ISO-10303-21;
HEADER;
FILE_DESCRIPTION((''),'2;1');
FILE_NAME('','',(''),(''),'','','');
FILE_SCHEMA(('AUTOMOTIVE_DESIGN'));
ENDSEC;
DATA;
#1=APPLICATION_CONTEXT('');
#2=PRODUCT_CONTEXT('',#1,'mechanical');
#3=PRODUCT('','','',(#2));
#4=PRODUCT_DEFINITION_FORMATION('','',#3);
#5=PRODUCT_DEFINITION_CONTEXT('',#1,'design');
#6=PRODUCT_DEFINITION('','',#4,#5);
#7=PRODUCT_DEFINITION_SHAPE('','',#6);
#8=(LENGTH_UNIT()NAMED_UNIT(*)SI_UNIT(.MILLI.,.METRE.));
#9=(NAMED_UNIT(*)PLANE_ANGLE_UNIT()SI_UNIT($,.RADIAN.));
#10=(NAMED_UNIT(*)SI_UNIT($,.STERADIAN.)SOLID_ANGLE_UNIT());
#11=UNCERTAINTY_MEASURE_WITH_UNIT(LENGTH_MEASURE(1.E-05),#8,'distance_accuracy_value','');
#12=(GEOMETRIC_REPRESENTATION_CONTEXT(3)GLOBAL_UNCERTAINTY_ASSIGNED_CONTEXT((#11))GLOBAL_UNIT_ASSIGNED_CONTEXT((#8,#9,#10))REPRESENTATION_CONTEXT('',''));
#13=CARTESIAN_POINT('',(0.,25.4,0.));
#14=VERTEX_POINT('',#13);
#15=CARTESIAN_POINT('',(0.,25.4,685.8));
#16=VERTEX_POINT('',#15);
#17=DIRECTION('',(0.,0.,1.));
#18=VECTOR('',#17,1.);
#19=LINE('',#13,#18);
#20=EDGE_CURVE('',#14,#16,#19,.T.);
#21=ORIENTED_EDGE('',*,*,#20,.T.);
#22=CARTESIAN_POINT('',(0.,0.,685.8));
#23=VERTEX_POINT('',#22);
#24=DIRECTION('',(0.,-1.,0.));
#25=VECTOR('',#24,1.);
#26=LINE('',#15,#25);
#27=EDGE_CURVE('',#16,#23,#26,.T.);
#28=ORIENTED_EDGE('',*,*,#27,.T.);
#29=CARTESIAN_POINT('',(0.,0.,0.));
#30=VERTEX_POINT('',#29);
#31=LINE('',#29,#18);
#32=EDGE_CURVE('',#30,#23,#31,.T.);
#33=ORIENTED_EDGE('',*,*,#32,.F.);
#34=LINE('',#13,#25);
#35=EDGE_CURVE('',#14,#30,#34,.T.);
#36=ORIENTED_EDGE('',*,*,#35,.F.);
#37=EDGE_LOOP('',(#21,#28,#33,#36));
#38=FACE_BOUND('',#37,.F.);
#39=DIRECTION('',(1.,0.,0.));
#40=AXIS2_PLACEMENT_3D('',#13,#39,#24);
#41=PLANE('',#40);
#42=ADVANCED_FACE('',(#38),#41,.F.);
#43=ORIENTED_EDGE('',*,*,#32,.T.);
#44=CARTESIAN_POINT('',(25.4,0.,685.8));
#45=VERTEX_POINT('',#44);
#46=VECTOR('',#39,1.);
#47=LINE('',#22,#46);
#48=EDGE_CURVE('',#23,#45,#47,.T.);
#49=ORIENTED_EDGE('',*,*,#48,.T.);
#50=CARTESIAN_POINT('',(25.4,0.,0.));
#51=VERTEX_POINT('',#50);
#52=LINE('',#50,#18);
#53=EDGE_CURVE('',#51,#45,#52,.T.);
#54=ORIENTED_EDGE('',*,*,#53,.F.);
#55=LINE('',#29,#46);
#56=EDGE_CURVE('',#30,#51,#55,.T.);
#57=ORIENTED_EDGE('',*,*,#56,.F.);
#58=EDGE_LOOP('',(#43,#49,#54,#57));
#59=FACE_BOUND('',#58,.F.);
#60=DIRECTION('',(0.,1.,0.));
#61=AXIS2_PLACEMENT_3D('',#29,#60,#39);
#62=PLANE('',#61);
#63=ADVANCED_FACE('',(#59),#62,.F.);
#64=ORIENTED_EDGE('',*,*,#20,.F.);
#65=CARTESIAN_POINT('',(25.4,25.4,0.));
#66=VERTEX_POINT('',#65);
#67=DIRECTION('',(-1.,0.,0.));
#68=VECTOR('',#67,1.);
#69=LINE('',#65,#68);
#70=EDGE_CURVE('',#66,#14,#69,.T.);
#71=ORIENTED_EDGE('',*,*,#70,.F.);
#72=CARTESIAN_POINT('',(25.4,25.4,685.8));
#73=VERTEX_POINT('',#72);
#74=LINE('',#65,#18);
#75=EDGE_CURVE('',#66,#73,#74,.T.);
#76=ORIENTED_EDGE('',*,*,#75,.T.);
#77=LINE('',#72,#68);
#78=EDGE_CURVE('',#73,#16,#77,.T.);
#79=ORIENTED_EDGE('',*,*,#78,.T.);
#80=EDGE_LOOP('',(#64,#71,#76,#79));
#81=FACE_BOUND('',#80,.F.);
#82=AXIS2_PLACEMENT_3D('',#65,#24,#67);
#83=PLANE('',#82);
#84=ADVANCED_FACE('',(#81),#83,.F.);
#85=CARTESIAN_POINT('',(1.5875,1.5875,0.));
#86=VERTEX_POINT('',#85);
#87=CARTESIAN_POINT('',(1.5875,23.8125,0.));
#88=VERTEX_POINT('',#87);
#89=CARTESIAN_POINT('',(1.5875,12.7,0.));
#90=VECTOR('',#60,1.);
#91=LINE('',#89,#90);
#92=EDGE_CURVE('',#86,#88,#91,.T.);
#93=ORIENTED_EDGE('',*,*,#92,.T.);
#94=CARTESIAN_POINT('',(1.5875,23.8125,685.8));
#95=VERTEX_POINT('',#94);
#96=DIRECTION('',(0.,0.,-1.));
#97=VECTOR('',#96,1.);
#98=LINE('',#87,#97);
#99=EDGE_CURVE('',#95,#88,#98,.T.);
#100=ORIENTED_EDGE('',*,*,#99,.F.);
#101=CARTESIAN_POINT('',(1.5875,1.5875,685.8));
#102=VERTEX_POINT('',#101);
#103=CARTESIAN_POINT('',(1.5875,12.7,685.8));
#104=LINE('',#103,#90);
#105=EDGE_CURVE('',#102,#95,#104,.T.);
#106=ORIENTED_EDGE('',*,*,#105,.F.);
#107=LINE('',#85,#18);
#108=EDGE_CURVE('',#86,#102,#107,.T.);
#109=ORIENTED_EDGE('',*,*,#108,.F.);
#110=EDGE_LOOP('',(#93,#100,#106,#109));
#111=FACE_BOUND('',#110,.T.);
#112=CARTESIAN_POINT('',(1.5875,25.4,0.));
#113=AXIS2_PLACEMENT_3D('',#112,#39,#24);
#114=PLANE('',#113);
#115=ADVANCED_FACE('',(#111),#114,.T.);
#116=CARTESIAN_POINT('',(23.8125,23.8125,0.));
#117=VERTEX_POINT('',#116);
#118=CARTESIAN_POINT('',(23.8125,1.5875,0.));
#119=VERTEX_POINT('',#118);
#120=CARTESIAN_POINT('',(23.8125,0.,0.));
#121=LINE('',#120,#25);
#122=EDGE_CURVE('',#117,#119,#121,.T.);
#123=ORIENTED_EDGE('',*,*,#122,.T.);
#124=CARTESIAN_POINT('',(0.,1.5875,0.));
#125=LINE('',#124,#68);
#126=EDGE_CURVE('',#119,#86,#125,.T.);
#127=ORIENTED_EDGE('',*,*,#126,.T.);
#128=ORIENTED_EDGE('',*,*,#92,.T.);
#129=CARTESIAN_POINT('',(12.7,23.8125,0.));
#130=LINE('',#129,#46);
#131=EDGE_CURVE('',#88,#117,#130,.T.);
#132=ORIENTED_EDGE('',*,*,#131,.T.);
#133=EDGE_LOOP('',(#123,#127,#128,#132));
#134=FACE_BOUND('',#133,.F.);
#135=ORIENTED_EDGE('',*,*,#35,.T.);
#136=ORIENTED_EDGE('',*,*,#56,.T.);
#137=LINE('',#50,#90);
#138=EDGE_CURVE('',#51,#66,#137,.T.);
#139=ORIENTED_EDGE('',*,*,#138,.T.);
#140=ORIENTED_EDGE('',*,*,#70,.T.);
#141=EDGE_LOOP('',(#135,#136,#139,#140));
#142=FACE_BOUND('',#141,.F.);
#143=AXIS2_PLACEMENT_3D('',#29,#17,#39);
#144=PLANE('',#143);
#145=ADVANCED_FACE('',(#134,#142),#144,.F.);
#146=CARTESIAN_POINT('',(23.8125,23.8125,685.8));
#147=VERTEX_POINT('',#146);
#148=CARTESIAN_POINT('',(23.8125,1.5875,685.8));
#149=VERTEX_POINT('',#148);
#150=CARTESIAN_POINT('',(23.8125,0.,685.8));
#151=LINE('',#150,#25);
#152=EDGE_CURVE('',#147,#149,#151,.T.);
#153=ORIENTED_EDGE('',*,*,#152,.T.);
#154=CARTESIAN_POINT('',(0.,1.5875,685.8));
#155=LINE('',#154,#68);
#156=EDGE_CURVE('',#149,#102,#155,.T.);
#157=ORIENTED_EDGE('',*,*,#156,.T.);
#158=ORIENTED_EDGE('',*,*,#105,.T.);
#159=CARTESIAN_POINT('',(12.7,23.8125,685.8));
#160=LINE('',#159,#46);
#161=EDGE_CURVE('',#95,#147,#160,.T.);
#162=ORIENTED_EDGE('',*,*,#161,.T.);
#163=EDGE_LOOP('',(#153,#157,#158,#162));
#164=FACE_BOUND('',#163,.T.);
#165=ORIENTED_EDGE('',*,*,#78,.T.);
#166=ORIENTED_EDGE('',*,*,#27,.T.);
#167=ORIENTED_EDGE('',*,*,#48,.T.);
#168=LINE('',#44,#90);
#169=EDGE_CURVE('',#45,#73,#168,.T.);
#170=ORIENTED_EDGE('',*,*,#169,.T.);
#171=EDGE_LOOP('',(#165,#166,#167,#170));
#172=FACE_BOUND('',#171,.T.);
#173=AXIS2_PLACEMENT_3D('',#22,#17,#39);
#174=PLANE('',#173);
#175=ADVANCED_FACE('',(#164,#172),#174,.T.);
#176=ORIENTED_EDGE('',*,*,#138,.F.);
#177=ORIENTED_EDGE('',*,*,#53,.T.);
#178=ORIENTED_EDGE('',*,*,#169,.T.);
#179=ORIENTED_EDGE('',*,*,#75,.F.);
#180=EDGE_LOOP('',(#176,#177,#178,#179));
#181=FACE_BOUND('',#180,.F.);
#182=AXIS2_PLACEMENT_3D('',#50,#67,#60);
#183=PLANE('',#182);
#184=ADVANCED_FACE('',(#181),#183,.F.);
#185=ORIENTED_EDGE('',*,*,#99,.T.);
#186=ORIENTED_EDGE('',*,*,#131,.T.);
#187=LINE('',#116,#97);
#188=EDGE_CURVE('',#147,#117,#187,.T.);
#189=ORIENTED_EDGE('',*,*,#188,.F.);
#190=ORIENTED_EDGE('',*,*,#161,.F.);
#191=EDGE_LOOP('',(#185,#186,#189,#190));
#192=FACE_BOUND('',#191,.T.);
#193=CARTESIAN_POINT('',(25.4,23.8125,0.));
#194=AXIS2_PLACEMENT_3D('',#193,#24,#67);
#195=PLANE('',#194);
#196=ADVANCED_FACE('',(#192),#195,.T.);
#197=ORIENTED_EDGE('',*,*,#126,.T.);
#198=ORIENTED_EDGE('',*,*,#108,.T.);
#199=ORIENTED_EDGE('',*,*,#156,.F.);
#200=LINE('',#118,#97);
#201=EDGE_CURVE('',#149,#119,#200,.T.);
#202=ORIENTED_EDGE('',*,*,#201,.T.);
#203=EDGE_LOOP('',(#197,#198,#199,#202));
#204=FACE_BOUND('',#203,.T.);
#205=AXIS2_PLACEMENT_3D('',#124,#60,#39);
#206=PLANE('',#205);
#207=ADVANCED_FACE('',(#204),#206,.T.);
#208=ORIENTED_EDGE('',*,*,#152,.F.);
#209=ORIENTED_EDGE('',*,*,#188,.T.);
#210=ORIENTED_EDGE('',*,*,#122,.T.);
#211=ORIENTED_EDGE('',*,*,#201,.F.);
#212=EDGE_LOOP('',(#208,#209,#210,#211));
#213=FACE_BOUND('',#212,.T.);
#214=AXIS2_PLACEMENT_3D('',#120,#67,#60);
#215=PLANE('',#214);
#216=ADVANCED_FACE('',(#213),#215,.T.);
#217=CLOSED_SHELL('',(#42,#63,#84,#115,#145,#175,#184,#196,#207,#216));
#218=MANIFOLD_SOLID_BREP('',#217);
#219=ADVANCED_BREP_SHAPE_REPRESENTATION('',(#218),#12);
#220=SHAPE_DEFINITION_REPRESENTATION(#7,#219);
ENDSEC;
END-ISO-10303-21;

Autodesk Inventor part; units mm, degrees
ref_plane "YZ Plane" through (0, 0, 0) normal (1, 0, 0) x (0, 1, 0)
ref_plane "XZ Plane" through (0, 0, 0) normal (0, 1, 0) x (-1, 0, 0)
ref_plane "XY Plane" through (0, 0, 0) normal (0, 0, 1) x (1, 0, 0)
sketch "Sketch1" plane through (0, 0, 0) normal (0, 0, 1) x (1, 0, 0)
  line L0 (0, 0) -> (25.4, 0)
  line L1 (25.4, 0) -> (25.4, 25.4)
  line L2 (25.4, 25.4) -> (0, 25.4)
  line L3 (0, 25.4) -> (0, 0)
  dimension "d0" = 25.4
  dimension "d1" = 25.4
extrude "Extrusion1" add sketch "Sketch1" along normal blind 685.8
shell "Shell1" thickness 1.5875 removed faces 2 at (16.9333, 8.4667, 0) at (16.9333, 8.4667, 685.8)
properties part number "MainRail" material "Aluminum-6061"
